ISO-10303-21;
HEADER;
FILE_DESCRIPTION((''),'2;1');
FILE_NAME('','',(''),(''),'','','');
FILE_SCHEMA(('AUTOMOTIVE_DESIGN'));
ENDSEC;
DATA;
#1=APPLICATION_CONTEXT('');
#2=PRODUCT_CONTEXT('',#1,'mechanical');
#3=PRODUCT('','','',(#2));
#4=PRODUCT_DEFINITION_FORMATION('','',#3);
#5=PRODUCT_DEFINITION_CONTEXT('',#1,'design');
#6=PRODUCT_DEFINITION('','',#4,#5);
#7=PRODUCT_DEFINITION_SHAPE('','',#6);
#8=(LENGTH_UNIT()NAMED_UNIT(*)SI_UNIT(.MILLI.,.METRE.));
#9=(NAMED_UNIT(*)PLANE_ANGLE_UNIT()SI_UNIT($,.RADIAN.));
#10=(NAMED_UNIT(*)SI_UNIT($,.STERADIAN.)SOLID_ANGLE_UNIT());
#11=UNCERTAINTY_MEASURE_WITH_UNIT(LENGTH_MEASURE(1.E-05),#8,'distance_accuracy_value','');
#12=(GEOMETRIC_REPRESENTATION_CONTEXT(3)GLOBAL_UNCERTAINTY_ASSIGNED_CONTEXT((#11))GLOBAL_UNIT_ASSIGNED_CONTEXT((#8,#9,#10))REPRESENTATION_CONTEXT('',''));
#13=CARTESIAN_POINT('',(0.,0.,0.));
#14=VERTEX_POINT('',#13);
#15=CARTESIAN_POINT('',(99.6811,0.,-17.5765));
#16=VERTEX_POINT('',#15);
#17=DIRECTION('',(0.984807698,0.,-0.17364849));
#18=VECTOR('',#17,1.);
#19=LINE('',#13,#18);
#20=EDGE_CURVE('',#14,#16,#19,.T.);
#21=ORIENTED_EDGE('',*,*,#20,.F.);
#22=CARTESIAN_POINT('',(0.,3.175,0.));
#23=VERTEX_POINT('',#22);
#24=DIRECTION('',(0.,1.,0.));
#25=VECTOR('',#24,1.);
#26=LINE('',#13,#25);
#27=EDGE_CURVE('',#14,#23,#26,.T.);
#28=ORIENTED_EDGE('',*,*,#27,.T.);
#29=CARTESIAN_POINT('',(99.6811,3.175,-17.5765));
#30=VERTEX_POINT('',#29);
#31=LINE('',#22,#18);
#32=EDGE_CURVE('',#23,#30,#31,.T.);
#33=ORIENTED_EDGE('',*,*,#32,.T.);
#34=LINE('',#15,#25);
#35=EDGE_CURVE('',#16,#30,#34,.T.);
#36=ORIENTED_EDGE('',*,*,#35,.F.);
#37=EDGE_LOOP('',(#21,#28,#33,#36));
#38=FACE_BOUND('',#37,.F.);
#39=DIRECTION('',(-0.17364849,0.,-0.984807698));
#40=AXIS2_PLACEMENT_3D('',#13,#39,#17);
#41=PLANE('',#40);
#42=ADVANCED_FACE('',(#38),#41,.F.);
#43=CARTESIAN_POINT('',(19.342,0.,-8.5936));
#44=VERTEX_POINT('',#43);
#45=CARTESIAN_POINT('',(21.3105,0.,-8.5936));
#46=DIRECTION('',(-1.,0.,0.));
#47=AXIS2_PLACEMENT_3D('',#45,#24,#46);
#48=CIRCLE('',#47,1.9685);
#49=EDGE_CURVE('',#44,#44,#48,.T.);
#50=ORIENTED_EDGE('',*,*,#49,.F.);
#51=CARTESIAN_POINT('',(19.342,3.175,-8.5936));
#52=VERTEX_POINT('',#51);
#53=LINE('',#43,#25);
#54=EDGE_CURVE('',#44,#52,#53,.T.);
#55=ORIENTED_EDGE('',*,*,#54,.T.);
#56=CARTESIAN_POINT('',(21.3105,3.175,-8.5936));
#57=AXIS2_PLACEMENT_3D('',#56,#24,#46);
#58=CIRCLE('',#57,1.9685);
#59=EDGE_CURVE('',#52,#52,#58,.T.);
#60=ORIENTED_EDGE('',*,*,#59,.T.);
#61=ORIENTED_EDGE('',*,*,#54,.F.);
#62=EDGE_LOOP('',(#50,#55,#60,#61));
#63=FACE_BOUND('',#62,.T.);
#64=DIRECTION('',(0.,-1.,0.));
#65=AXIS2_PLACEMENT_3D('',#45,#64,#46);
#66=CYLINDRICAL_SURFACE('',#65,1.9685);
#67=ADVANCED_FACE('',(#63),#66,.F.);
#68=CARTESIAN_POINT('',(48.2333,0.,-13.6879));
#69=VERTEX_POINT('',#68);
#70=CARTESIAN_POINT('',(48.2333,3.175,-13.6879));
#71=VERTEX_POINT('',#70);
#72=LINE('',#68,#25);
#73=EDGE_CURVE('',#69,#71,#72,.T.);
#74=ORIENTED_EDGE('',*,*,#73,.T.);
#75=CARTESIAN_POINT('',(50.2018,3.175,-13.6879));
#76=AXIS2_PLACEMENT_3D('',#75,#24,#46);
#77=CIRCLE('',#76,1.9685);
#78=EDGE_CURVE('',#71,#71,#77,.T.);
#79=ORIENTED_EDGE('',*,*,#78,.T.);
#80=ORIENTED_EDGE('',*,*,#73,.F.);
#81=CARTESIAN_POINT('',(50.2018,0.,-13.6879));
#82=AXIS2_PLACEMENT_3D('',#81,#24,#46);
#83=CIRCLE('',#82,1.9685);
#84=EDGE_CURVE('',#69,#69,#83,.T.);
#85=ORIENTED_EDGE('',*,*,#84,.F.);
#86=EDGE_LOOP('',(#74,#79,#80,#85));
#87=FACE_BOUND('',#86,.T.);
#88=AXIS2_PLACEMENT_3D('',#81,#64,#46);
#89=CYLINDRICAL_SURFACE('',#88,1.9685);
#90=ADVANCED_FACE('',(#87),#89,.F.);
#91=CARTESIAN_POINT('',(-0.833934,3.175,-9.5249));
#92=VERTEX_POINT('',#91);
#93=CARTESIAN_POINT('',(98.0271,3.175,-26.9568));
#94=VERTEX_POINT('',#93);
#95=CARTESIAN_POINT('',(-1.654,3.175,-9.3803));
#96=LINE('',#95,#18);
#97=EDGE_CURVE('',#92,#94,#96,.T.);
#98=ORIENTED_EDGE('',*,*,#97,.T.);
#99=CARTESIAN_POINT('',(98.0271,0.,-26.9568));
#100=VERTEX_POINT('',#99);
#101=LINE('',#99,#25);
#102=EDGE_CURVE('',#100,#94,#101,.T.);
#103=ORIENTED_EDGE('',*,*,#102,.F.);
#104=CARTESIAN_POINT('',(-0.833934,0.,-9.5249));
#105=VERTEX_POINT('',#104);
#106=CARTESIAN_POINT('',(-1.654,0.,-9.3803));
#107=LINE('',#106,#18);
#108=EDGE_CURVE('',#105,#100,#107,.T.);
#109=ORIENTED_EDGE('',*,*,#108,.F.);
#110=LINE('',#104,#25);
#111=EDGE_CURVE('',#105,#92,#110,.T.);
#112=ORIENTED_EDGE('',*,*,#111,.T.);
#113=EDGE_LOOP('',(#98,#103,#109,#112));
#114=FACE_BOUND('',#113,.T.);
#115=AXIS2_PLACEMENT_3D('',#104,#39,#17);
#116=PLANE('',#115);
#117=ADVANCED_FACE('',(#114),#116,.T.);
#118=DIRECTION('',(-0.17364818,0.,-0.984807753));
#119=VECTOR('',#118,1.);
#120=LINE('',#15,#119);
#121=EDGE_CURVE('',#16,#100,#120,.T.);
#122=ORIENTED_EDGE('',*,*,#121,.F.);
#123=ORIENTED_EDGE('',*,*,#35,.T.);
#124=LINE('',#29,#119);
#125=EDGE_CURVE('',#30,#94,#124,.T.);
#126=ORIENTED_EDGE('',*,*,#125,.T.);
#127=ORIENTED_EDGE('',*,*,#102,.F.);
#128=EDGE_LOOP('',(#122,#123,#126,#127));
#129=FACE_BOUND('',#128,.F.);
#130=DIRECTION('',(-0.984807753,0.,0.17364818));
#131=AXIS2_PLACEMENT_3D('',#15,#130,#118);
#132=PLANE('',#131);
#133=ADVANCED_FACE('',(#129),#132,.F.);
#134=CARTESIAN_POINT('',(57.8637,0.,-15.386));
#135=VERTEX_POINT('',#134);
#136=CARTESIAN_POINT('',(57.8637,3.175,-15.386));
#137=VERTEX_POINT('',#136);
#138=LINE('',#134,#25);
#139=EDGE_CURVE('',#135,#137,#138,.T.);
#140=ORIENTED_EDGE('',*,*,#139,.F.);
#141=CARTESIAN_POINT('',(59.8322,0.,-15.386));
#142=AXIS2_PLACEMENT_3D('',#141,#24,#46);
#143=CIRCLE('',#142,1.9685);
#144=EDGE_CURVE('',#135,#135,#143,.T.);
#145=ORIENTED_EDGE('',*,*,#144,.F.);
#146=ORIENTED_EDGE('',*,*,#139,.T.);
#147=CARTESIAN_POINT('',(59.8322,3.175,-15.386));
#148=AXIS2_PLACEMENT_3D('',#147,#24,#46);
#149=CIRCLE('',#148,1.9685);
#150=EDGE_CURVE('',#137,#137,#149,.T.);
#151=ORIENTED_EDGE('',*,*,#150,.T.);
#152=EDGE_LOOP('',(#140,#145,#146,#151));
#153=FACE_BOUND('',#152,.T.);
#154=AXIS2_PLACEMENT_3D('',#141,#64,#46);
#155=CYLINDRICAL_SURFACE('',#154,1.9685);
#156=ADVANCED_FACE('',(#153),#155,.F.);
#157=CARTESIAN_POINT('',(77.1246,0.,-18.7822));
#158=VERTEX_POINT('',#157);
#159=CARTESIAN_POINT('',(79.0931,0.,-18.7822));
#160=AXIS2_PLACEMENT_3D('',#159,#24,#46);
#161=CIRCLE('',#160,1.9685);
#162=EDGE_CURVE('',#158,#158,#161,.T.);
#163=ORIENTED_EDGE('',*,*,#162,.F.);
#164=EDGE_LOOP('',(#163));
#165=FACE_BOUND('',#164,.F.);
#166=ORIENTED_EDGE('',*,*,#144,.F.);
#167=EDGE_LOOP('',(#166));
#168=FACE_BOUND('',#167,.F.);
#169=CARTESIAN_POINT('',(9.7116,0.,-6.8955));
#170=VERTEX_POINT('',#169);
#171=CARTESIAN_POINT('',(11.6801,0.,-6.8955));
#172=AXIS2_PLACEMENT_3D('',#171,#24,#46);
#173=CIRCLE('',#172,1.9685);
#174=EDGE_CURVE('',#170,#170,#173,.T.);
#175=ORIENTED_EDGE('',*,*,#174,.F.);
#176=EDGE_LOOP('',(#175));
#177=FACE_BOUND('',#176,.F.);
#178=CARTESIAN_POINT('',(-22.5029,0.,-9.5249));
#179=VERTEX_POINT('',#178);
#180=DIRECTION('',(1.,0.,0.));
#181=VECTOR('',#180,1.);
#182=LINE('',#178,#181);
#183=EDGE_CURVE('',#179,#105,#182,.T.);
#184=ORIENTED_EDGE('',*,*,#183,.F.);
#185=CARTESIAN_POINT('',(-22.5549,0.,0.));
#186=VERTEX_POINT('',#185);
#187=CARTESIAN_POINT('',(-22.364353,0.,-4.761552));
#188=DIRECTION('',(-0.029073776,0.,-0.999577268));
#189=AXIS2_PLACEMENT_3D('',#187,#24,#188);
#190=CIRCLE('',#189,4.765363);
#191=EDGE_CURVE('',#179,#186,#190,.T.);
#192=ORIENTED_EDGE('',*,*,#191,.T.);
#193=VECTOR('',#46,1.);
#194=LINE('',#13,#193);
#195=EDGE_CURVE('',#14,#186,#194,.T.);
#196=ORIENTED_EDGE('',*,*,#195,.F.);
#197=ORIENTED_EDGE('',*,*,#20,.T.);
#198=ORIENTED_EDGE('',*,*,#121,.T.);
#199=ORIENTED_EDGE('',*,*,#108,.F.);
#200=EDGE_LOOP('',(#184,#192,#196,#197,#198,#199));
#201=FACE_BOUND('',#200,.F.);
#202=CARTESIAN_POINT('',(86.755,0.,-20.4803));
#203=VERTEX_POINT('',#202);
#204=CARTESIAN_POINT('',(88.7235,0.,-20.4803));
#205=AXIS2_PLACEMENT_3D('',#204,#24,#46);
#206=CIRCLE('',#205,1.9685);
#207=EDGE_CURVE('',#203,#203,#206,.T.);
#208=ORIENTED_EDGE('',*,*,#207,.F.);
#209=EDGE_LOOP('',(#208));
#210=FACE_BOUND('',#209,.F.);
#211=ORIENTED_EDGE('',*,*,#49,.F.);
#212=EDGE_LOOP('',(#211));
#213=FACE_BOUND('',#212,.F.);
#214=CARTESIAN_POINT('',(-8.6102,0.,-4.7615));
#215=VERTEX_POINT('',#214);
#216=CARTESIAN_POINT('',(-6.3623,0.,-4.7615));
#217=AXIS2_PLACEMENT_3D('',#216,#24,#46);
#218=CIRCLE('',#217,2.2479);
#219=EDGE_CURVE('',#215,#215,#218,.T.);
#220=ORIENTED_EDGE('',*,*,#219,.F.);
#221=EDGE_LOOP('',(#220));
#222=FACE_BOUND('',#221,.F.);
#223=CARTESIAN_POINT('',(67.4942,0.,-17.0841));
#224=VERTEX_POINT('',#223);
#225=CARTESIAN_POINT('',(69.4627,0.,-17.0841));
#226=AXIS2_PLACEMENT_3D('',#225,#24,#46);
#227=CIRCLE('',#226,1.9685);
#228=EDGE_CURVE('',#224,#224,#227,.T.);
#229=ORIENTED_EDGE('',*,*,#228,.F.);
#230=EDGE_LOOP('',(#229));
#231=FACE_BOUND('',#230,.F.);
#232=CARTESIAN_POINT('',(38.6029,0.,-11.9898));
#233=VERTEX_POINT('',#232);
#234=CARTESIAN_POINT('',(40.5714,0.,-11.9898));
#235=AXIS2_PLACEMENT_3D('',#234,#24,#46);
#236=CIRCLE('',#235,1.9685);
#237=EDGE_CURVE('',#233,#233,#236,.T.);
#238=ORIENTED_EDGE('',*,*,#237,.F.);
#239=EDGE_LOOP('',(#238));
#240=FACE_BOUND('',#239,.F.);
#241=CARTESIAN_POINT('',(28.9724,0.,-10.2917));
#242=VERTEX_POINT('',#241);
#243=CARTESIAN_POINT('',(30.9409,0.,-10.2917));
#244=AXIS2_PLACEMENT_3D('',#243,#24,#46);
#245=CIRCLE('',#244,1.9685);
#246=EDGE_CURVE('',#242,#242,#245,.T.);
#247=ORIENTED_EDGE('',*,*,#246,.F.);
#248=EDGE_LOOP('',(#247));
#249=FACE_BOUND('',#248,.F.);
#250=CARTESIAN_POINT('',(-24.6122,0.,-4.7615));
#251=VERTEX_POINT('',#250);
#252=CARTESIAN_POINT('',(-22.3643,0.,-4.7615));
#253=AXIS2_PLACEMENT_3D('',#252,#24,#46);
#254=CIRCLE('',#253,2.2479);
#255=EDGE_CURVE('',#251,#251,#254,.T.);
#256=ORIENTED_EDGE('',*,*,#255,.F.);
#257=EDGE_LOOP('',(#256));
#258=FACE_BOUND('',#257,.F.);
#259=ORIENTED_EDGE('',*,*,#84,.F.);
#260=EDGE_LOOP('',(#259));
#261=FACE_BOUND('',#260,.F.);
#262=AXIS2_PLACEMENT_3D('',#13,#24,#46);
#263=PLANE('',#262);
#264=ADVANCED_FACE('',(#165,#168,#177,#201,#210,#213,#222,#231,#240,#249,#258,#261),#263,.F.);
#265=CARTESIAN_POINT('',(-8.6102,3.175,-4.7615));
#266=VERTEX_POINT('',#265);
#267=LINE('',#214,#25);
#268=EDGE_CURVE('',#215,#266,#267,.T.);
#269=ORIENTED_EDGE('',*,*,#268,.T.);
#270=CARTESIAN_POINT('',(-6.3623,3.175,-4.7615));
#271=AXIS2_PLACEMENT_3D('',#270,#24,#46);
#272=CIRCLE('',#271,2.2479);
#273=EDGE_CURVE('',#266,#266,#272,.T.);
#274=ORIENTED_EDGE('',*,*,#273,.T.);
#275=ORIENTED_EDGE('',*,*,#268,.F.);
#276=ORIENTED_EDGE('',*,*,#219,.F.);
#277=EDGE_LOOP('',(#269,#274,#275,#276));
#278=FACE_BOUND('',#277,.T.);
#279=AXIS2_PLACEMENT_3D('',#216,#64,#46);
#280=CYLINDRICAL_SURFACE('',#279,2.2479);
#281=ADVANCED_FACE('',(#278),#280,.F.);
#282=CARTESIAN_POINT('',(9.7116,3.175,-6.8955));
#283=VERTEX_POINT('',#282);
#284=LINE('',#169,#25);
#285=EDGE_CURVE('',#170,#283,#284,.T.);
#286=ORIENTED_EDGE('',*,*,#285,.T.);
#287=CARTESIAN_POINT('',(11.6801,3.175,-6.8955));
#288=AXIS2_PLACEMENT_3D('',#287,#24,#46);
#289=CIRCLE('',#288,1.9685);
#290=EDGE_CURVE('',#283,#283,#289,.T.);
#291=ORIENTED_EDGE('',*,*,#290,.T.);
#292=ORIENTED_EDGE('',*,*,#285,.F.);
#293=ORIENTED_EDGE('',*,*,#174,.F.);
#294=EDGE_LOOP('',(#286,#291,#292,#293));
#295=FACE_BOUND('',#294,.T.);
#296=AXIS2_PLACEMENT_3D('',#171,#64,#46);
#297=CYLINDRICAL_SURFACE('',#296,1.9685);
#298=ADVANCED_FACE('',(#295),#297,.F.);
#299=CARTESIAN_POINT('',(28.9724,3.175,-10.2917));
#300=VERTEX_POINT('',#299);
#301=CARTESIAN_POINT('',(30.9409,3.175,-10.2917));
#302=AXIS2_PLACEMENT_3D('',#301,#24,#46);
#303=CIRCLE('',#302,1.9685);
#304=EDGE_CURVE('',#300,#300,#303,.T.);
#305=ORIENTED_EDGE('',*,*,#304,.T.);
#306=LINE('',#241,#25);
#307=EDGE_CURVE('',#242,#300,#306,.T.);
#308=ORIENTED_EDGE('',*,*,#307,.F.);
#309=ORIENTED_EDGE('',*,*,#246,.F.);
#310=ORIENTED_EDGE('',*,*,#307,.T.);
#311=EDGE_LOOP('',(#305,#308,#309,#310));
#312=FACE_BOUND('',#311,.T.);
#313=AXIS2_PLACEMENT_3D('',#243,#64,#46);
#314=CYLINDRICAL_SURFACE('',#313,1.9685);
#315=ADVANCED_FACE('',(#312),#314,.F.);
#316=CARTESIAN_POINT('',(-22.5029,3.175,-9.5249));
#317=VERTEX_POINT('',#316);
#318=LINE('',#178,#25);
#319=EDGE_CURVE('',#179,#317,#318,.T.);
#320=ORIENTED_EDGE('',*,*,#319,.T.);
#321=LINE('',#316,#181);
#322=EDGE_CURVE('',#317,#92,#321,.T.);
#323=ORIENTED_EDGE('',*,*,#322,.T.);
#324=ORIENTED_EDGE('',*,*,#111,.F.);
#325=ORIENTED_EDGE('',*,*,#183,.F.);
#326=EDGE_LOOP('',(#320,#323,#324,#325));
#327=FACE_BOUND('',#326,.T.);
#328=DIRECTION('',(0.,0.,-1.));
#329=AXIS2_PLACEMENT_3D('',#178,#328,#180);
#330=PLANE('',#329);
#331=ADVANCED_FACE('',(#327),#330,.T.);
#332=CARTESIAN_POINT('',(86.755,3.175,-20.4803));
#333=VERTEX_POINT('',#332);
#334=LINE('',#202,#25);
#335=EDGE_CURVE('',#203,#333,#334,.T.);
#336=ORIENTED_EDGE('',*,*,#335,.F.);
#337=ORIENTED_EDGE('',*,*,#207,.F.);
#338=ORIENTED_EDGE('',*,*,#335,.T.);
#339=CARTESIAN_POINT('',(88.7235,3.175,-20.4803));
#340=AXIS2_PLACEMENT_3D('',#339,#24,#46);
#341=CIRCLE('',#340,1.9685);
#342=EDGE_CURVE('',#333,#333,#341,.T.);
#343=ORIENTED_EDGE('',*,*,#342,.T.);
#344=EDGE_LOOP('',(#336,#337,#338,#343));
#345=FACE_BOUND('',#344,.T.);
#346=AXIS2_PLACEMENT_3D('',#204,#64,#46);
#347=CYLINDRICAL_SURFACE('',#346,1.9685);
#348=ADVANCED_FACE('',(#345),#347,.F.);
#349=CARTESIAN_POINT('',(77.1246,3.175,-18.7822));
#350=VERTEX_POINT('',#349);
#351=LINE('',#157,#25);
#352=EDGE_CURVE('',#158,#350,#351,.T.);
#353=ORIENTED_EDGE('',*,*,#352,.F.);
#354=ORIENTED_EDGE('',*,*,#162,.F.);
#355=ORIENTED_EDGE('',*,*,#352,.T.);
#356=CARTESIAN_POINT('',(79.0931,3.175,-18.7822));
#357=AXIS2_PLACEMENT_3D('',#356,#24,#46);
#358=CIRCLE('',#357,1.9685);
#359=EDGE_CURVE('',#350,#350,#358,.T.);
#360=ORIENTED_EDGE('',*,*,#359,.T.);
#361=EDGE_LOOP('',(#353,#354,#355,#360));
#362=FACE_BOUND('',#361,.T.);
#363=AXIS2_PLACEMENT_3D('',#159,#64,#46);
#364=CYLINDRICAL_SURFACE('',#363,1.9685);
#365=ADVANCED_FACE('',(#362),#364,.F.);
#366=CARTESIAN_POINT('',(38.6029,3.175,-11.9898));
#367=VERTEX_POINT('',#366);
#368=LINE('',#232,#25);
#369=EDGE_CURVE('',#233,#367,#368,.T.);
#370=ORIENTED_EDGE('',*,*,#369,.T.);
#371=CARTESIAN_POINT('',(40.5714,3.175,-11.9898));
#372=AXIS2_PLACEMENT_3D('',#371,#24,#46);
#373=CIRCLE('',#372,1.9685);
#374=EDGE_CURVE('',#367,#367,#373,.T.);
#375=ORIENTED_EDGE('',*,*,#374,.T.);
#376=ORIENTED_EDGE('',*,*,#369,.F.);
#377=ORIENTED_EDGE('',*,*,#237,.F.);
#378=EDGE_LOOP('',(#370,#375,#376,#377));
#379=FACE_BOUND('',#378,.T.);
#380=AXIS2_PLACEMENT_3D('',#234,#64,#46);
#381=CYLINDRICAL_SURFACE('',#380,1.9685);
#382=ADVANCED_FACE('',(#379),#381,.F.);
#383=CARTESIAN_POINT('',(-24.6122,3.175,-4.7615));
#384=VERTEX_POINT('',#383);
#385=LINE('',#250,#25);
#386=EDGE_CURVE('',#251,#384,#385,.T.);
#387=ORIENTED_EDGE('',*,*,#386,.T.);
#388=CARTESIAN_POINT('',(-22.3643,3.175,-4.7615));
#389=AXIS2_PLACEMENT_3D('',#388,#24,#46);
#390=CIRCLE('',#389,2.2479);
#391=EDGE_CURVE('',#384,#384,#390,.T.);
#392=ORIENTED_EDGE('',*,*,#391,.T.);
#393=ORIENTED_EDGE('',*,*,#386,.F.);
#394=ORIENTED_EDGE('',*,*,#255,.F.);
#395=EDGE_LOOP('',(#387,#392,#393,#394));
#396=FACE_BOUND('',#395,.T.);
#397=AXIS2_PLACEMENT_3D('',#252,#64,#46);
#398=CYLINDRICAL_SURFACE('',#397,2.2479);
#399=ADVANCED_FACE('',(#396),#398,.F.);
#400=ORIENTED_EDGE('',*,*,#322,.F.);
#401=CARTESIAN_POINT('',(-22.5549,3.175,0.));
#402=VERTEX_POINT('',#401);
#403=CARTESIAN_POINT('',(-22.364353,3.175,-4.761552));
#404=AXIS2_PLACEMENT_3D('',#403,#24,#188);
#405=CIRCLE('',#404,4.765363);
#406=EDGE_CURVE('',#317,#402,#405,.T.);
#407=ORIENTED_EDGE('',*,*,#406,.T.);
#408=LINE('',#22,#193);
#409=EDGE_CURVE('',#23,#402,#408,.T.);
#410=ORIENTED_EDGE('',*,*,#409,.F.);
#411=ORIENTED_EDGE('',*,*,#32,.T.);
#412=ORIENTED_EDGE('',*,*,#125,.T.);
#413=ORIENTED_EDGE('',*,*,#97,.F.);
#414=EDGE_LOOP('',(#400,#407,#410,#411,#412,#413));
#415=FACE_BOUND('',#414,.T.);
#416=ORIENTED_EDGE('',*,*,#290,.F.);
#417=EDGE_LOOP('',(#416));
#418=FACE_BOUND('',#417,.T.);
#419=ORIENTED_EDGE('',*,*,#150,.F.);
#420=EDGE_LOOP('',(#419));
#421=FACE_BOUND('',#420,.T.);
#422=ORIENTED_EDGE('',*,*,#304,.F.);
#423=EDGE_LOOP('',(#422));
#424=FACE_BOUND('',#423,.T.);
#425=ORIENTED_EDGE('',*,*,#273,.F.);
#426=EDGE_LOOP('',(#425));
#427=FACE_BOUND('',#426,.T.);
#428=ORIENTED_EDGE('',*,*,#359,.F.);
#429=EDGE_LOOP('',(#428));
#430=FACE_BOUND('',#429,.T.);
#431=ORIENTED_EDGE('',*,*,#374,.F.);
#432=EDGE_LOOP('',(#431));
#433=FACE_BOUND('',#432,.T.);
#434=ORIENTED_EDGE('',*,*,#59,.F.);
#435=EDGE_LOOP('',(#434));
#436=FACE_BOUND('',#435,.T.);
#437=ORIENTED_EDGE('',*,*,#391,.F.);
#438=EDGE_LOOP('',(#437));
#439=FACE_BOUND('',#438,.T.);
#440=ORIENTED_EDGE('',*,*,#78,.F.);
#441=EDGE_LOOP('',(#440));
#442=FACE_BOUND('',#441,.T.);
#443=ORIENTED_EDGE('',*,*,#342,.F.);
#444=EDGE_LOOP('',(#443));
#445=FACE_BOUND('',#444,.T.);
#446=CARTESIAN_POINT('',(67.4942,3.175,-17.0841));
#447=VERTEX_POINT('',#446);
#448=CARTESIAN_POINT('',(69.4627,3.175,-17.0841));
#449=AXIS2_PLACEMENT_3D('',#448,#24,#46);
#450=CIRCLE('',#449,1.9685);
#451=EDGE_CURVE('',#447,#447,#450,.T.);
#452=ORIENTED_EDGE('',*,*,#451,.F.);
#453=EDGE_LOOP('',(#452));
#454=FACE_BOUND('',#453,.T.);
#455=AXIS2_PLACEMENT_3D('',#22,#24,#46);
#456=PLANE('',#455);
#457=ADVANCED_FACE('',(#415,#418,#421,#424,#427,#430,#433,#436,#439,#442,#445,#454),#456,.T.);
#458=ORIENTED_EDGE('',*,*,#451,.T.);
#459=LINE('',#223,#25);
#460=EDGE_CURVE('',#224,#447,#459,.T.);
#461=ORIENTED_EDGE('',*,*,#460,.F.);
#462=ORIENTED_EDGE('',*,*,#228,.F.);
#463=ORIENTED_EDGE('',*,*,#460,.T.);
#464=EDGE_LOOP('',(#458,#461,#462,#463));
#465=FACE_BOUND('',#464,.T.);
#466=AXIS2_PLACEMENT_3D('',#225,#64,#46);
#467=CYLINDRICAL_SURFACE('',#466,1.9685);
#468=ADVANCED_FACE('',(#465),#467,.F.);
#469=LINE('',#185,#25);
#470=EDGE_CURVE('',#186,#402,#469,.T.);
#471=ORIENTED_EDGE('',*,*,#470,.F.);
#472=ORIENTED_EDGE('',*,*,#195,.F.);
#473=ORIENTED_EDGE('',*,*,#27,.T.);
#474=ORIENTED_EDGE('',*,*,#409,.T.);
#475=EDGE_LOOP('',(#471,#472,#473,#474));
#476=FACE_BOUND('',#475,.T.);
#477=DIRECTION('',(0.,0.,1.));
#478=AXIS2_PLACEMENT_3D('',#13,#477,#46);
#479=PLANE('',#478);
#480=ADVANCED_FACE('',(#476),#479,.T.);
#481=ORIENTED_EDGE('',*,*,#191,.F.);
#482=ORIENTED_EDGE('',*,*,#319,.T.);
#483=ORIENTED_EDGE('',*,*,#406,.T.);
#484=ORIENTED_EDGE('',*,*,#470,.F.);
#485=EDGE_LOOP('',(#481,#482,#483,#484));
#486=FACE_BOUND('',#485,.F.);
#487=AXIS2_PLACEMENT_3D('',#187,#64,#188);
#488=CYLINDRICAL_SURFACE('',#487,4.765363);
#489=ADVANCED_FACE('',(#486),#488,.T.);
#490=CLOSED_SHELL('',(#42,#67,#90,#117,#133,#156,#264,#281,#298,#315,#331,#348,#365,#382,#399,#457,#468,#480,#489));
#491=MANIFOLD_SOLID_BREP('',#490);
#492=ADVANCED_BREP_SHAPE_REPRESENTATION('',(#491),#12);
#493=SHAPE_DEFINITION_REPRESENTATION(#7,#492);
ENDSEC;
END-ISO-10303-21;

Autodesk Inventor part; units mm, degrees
ref_plane "YZ Plane" through (0, 0, 0) normal (1, 0, 0) x (0, 1, 0)
ref_plane "XZ Plane" through (0, 0, 0) normal (0, 1, 0) x (-1, 0, 0)
ref_plane "XY Plane" through (0, 0, 0) normal (0, 0, 1) x (1, 0, 0)
sketch "Sketch1" plane through (0, 0, 0) normal (0, 1, 0) x (-1, 0, 0)
  line L0 (0, 0) -> (22.5549, 0)
  line L1 (22.5029, -9.5249) -> (-0.0269, -9.5249)
  line L2 (-0.0269, -9.5249) -> (0, 0)
  arc A0 (22.5029, -9.5249) -> (22.5549, 0) centre (22.3643, -4.7615) ccw
  line L3 (0, 0) -> (-99.6811, -17.5765)
  line L4 (0, 0) -> (101.2189, 0) construction
  line L5 (-99.6811, -17.5765) -> (-98.0271, -26.9568)
  line L6 (0, 0) -> (1.654, -9.3803)
  line L7 (1.654, -9.3803) -> (-98.0271, -26.9568)
  circle A1 centre (22.3643, -4.7615) radius 2.2479
  line L8 (22.3643, -4.7615) -> (6.3623, -4.7615) construction
  circle A2 centre (6.3623, -4.7615) radius 2.2479
  line L9 (0.827, -4.6901) -> (-11.6801, -6.8955) construction
  circle A3 centre (-11.6801, -6.8955) radius 1.9685
  line L10 (0.827, -4.6901) -> (-98.8541, -22.2666) construction
  circle A4 centre (-21.3105, -8.5936) radius 1.9685
  circle A5 centre (-30.9409, -10.2917) radius 1.9685
  circle A6 centre (-40.5714, -11.9898) radius 1.9685
  circle A7 centre (-50.2018, -13.6879) radius 1.9685
  circle A8 centre (-59.8322, -15.386) radius 1.9685
  circle A9 centre (-69.4627, -17.0841) radius 1.9685
  circle A10 centre (-79.0931, -18.7822) radius 1.9685
  circle A11 centre (-88.7235, -20.4803) radius 1.9685
  line L11 (22.3643, -4.7615) -> (6.2786, -4.7615) construction
  line L12 (6.2786, -4.7615) -> (6.2786, 11.2405) construction
  line L13 (6.2786, 11.2405) -> (22.3643, 11.2405) construction
  line L14 (22.3643, 11.2405) -> (22.3643, -4.7615) construction
  line L15 (14.3214, 11.2405) -> (14.3214, -4.7615) construction
  line L16 (22.3643, 3.2395) -> (6.2786, 3.2395) construction
  circle A12 centre (14.3214, 3.2395) radius 1.27 construction
  dimension "d0" = 22.5298
  dimension "d1" = 9.525
  dimension "d2" = 4.7653
  dimension "d4" = 170
  dimension "d7" = 9.525
  dimension "d8" = 9.525
  dimension "d9" = 4.4958
  dimension "d10" = 16.002
  dimension "d11" = 4.4958
  dimension "d12" = 12.7
  dimension "d13" = 3.937
  dimension "d14" = 4.7625
  dimension "d15" = 3.937
  dimension "d16" = 9.779
  dimension "d17" = 3.937
  dimension "d18" = 9.779
  dimension "d19" = 3.937
  dimension "d20" = 9.779
  dimension "d21" = 3.937
  dimension "d22" = 9.779
  dimension "d23" = 3.937
  dimension "d24" = 9.779
  dimension "d25" = 3.937
  dimension "d26" = 9.779
  dimension "d27" = 3.937
  dimension "d28" = 9.779
  dimension "d29" = 3.937
  dimension "d30" = 9.779
  dimension "d31" = 16.002
  dimension "d32" = 2.54
  dimension "d33" = 115.8874
extrude "Extrusion1" add sketch "Sketch1" along normal blind 3.175
properties part number "CollectorArm170"
